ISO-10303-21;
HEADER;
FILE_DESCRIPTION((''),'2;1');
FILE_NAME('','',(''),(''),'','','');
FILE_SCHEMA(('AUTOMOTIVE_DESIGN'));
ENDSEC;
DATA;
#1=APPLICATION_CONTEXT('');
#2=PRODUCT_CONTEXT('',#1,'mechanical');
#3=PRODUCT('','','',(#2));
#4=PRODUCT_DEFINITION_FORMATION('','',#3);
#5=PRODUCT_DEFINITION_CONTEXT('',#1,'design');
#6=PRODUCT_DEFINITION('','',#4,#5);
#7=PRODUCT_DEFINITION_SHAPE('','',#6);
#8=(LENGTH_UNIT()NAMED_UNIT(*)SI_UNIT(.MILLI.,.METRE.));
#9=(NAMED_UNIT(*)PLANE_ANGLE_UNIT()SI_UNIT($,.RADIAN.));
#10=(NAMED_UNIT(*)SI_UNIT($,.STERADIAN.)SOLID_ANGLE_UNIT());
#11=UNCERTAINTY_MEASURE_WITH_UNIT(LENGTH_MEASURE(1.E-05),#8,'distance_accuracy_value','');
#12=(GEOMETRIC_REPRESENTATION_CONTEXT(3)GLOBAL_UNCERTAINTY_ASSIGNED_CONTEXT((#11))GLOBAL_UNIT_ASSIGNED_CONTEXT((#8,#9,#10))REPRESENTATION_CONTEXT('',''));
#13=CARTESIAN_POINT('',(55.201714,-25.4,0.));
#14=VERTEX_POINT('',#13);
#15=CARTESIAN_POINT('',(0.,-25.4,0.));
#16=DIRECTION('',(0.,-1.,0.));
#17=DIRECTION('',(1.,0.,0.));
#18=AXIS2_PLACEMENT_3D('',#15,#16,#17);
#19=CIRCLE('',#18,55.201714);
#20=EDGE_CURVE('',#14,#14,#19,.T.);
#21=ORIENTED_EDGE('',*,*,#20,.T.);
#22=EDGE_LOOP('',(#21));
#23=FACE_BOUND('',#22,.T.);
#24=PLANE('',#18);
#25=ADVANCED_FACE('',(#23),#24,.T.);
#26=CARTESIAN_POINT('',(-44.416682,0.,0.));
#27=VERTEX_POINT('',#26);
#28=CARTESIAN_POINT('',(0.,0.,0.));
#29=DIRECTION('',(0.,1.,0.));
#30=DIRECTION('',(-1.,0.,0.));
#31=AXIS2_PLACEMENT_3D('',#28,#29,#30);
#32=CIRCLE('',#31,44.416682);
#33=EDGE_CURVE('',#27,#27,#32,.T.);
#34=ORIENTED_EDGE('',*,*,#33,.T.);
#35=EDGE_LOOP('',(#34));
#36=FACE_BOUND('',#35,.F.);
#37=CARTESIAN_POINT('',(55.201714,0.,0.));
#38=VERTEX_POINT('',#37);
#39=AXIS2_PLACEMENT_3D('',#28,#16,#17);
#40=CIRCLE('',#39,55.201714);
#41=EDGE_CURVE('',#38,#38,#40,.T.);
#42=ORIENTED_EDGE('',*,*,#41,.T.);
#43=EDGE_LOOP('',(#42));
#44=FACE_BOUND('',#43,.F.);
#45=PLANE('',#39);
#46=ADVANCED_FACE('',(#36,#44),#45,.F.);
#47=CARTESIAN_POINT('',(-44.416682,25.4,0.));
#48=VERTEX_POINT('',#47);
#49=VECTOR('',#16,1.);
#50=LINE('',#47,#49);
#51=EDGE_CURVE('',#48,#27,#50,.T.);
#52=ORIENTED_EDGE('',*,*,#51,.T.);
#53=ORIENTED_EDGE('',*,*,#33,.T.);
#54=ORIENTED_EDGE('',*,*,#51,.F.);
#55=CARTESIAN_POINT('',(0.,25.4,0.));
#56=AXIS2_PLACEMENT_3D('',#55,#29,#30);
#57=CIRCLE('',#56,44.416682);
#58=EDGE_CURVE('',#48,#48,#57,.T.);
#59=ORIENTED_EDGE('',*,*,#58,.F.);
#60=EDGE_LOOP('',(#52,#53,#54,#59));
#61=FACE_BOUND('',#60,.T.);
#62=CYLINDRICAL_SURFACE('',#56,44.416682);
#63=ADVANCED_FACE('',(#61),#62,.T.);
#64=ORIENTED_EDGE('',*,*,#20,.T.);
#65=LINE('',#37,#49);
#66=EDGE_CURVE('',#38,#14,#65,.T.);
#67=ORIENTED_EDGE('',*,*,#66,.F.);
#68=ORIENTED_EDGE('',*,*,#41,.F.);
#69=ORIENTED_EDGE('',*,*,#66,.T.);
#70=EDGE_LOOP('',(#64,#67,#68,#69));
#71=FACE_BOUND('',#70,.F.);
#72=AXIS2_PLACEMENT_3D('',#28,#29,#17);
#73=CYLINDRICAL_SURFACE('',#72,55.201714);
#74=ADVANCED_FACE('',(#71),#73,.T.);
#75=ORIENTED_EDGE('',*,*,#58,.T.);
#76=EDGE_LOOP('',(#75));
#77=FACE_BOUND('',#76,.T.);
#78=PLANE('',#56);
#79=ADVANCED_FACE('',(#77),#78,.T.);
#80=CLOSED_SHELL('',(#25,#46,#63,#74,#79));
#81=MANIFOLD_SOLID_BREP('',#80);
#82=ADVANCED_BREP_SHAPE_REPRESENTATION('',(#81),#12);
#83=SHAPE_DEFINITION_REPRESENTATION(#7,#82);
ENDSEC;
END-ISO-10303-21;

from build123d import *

# Parameters (mm, degrees)
F0_R     = 55.201714
F1_DEPTH = 25.4
F2_R     = 44.416682
F4_DEPTH = 25.4
F3_R     = 44.416682
F5_DEPTH = 25.4
F6_R     = 35.177102
F8_DEPTH = 50.8


with BuildPart() as f1:
    # F0 (on Front) → F1 (new body)
    with BuildSketch(Plane.XZ):
        Circle(F0_R)
    extrude(amount=F1_DEPTH)

    # F2 (on Front) → F4 (join)
    with BuildSketch(Plane.XZ):
        Circle(F2_R)
    extrude(amount=F4_DEPTH)

    # F3 (on face) → F5 (join)
    with BuildSketch(Plane(origin=(0, 25.4, 0), x_dir=(-1, 0, 0), z_dir=(0, 1, 0))):
        Circle(F3_R)
    extrude(amount=-F5_DEPTH)

    # F6 (on face) → F8 (join)
    with BuildSketch(Plane(origin=(0, 25.4, 0), x_dir=(-1, 0, 0), z_dir=(0, 1, 0))):
        Circle(F6_R)
    extrude(amount=-F8_DEPTH)


solid = f1.part
